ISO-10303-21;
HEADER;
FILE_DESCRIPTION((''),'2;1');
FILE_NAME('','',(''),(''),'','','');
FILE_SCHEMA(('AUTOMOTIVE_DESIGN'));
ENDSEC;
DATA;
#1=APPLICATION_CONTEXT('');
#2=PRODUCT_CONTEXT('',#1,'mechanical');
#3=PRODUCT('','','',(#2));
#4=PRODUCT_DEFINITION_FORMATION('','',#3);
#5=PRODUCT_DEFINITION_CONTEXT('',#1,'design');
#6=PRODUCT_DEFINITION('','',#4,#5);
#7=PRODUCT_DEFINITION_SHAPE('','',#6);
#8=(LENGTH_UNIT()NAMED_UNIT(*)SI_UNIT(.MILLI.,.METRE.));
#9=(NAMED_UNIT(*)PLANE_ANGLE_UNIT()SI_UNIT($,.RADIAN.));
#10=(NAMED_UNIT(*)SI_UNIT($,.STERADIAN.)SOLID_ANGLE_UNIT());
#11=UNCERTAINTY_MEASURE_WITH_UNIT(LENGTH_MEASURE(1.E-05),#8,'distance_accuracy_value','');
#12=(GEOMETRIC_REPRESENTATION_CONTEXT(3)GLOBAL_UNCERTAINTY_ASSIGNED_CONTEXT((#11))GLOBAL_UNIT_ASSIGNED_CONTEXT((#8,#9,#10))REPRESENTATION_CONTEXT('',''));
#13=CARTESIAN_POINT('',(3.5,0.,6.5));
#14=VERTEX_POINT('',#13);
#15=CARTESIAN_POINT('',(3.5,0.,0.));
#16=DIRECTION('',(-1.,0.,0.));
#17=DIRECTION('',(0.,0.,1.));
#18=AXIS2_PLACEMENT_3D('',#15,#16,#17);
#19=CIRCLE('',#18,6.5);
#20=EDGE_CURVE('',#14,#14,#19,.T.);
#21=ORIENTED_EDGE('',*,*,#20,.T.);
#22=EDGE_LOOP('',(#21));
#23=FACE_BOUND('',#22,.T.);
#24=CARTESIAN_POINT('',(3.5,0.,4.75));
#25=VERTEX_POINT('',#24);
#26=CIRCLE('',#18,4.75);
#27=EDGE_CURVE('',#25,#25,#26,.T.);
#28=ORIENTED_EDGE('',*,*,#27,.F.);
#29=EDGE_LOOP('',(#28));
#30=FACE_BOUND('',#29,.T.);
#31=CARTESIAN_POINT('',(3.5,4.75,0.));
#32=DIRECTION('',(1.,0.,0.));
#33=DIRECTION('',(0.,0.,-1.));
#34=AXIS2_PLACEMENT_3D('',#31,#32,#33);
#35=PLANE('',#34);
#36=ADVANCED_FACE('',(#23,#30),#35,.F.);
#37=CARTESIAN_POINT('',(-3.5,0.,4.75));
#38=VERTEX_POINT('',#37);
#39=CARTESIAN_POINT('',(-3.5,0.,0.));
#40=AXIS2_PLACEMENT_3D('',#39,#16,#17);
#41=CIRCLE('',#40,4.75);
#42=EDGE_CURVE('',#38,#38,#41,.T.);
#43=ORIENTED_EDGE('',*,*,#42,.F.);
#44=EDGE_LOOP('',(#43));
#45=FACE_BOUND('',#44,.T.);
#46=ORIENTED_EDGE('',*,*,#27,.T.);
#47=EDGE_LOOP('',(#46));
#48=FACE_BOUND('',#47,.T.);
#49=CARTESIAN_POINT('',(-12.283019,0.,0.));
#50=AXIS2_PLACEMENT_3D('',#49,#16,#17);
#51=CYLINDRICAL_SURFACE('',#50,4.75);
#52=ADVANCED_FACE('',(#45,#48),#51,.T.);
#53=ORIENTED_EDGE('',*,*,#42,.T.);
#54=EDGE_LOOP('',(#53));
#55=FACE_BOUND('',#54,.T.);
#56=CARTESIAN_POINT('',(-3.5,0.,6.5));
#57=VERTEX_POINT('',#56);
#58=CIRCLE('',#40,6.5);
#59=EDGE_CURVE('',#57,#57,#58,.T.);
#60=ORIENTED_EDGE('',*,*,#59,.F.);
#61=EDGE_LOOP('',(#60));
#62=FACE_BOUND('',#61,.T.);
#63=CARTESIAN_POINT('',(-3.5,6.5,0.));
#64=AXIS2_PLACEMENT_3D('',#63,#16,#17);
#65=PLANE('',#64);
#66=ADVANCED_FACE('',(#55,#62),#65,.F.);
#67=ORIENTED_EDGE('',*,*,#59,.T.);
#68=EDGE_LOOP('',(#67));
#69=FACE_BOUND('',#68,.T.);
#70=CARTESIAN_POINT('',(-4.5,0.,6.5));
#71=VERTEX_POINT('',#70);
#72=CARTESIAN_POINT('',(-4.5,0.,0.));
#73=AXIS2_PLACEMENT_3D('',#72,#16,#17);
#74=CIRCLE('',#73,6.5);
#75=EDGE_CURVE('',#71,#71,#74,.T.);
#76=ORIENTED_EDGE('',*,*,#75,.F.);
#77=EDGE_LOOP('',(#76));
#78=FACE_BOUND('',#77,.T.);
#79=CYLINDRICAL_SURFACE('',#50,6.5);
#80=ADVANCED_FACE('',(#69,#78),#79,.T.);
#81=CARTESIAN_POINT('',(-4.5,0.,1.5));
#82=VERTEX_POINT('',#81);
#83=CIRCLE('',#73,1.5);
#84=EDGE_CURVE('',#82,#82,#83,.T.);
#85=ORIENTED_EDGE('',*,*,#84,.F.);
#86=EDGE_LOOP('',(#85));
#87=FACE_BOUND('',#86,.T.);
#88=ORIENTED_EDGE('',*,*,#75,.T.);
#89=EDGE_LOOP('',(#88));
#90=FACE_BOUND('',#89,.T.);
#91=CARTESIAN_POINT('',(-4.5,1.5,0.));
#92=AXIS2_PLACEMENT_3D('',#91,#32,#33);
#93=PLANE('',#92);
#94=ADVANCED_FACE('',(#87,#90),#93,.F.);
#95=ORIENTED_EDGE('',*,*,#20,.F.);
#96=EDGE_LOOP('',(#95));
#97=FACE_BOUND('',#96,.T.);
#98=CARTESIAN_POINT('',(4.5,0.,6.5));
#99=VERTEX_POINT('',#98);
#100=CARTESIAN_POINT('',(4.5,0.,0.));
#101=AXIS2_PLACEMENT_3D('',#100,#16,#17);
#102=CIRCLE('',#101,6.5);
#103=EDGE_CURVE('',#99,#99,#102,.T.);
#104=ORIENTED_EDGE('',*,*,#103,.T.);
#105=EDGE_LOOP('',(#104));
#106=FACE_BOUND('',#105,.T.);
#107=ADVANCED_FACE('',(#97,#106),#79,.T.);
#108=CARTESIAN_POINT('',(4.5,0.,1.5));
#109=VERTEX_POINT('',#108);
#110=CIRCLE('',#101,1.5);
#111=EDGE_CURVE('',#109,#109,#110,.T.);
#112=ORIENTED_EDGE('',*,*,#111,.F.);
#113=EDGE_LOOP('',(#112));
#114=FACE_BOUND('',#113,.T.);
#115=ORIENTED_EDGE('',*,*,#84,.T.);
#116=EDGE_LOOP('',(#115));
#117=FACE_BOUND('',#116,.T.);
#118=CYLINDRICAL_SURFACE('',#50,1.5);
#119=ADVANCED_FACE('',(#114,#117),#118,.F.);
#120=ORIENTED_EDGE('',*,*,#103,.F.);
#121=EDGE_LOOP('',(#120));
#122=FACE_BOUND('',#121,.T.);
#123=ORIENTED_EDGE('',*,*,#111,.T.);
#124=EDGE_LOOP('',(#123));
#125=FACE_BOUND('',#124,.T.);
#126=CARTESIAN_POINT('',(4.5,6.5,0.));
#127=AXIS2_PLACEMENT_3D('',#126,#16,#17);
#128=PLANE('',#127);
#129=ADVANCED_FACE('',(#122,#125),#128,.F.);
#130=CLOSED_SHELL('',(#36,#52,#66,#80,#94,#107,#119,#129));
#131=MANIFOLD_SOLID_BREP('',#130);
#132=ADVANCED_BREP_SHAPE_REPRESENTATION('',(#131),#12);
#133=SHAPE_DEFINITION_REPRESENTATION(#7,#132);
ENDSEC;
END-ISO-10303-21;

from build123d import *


with BuildPart() as part:
    # Эскиз1 → Повернуть1 (revolve)
    with BuildSketch(Plane.XY, mode=Mode.PRIVATE) as revolve_1_sk:
        Polygon((0, 4.75), (3.5, 4.75), (3.5, 6.5), (4.5, 6.5), (4.5, 1.5), (0, 1.5), (-4.5, 1.5), (-4.5, 6.5), (-3.5, 6.5), (-3.5, 4.75), align=None)
    revolve(revolve_1_sk.sketch.rotate(Axis((-12.283018868, 0, 0), (1, 0, 0)), 90), axis=Axis((-12.283018868, 0, 0), (1, 0, 0)))


solid = part.part
